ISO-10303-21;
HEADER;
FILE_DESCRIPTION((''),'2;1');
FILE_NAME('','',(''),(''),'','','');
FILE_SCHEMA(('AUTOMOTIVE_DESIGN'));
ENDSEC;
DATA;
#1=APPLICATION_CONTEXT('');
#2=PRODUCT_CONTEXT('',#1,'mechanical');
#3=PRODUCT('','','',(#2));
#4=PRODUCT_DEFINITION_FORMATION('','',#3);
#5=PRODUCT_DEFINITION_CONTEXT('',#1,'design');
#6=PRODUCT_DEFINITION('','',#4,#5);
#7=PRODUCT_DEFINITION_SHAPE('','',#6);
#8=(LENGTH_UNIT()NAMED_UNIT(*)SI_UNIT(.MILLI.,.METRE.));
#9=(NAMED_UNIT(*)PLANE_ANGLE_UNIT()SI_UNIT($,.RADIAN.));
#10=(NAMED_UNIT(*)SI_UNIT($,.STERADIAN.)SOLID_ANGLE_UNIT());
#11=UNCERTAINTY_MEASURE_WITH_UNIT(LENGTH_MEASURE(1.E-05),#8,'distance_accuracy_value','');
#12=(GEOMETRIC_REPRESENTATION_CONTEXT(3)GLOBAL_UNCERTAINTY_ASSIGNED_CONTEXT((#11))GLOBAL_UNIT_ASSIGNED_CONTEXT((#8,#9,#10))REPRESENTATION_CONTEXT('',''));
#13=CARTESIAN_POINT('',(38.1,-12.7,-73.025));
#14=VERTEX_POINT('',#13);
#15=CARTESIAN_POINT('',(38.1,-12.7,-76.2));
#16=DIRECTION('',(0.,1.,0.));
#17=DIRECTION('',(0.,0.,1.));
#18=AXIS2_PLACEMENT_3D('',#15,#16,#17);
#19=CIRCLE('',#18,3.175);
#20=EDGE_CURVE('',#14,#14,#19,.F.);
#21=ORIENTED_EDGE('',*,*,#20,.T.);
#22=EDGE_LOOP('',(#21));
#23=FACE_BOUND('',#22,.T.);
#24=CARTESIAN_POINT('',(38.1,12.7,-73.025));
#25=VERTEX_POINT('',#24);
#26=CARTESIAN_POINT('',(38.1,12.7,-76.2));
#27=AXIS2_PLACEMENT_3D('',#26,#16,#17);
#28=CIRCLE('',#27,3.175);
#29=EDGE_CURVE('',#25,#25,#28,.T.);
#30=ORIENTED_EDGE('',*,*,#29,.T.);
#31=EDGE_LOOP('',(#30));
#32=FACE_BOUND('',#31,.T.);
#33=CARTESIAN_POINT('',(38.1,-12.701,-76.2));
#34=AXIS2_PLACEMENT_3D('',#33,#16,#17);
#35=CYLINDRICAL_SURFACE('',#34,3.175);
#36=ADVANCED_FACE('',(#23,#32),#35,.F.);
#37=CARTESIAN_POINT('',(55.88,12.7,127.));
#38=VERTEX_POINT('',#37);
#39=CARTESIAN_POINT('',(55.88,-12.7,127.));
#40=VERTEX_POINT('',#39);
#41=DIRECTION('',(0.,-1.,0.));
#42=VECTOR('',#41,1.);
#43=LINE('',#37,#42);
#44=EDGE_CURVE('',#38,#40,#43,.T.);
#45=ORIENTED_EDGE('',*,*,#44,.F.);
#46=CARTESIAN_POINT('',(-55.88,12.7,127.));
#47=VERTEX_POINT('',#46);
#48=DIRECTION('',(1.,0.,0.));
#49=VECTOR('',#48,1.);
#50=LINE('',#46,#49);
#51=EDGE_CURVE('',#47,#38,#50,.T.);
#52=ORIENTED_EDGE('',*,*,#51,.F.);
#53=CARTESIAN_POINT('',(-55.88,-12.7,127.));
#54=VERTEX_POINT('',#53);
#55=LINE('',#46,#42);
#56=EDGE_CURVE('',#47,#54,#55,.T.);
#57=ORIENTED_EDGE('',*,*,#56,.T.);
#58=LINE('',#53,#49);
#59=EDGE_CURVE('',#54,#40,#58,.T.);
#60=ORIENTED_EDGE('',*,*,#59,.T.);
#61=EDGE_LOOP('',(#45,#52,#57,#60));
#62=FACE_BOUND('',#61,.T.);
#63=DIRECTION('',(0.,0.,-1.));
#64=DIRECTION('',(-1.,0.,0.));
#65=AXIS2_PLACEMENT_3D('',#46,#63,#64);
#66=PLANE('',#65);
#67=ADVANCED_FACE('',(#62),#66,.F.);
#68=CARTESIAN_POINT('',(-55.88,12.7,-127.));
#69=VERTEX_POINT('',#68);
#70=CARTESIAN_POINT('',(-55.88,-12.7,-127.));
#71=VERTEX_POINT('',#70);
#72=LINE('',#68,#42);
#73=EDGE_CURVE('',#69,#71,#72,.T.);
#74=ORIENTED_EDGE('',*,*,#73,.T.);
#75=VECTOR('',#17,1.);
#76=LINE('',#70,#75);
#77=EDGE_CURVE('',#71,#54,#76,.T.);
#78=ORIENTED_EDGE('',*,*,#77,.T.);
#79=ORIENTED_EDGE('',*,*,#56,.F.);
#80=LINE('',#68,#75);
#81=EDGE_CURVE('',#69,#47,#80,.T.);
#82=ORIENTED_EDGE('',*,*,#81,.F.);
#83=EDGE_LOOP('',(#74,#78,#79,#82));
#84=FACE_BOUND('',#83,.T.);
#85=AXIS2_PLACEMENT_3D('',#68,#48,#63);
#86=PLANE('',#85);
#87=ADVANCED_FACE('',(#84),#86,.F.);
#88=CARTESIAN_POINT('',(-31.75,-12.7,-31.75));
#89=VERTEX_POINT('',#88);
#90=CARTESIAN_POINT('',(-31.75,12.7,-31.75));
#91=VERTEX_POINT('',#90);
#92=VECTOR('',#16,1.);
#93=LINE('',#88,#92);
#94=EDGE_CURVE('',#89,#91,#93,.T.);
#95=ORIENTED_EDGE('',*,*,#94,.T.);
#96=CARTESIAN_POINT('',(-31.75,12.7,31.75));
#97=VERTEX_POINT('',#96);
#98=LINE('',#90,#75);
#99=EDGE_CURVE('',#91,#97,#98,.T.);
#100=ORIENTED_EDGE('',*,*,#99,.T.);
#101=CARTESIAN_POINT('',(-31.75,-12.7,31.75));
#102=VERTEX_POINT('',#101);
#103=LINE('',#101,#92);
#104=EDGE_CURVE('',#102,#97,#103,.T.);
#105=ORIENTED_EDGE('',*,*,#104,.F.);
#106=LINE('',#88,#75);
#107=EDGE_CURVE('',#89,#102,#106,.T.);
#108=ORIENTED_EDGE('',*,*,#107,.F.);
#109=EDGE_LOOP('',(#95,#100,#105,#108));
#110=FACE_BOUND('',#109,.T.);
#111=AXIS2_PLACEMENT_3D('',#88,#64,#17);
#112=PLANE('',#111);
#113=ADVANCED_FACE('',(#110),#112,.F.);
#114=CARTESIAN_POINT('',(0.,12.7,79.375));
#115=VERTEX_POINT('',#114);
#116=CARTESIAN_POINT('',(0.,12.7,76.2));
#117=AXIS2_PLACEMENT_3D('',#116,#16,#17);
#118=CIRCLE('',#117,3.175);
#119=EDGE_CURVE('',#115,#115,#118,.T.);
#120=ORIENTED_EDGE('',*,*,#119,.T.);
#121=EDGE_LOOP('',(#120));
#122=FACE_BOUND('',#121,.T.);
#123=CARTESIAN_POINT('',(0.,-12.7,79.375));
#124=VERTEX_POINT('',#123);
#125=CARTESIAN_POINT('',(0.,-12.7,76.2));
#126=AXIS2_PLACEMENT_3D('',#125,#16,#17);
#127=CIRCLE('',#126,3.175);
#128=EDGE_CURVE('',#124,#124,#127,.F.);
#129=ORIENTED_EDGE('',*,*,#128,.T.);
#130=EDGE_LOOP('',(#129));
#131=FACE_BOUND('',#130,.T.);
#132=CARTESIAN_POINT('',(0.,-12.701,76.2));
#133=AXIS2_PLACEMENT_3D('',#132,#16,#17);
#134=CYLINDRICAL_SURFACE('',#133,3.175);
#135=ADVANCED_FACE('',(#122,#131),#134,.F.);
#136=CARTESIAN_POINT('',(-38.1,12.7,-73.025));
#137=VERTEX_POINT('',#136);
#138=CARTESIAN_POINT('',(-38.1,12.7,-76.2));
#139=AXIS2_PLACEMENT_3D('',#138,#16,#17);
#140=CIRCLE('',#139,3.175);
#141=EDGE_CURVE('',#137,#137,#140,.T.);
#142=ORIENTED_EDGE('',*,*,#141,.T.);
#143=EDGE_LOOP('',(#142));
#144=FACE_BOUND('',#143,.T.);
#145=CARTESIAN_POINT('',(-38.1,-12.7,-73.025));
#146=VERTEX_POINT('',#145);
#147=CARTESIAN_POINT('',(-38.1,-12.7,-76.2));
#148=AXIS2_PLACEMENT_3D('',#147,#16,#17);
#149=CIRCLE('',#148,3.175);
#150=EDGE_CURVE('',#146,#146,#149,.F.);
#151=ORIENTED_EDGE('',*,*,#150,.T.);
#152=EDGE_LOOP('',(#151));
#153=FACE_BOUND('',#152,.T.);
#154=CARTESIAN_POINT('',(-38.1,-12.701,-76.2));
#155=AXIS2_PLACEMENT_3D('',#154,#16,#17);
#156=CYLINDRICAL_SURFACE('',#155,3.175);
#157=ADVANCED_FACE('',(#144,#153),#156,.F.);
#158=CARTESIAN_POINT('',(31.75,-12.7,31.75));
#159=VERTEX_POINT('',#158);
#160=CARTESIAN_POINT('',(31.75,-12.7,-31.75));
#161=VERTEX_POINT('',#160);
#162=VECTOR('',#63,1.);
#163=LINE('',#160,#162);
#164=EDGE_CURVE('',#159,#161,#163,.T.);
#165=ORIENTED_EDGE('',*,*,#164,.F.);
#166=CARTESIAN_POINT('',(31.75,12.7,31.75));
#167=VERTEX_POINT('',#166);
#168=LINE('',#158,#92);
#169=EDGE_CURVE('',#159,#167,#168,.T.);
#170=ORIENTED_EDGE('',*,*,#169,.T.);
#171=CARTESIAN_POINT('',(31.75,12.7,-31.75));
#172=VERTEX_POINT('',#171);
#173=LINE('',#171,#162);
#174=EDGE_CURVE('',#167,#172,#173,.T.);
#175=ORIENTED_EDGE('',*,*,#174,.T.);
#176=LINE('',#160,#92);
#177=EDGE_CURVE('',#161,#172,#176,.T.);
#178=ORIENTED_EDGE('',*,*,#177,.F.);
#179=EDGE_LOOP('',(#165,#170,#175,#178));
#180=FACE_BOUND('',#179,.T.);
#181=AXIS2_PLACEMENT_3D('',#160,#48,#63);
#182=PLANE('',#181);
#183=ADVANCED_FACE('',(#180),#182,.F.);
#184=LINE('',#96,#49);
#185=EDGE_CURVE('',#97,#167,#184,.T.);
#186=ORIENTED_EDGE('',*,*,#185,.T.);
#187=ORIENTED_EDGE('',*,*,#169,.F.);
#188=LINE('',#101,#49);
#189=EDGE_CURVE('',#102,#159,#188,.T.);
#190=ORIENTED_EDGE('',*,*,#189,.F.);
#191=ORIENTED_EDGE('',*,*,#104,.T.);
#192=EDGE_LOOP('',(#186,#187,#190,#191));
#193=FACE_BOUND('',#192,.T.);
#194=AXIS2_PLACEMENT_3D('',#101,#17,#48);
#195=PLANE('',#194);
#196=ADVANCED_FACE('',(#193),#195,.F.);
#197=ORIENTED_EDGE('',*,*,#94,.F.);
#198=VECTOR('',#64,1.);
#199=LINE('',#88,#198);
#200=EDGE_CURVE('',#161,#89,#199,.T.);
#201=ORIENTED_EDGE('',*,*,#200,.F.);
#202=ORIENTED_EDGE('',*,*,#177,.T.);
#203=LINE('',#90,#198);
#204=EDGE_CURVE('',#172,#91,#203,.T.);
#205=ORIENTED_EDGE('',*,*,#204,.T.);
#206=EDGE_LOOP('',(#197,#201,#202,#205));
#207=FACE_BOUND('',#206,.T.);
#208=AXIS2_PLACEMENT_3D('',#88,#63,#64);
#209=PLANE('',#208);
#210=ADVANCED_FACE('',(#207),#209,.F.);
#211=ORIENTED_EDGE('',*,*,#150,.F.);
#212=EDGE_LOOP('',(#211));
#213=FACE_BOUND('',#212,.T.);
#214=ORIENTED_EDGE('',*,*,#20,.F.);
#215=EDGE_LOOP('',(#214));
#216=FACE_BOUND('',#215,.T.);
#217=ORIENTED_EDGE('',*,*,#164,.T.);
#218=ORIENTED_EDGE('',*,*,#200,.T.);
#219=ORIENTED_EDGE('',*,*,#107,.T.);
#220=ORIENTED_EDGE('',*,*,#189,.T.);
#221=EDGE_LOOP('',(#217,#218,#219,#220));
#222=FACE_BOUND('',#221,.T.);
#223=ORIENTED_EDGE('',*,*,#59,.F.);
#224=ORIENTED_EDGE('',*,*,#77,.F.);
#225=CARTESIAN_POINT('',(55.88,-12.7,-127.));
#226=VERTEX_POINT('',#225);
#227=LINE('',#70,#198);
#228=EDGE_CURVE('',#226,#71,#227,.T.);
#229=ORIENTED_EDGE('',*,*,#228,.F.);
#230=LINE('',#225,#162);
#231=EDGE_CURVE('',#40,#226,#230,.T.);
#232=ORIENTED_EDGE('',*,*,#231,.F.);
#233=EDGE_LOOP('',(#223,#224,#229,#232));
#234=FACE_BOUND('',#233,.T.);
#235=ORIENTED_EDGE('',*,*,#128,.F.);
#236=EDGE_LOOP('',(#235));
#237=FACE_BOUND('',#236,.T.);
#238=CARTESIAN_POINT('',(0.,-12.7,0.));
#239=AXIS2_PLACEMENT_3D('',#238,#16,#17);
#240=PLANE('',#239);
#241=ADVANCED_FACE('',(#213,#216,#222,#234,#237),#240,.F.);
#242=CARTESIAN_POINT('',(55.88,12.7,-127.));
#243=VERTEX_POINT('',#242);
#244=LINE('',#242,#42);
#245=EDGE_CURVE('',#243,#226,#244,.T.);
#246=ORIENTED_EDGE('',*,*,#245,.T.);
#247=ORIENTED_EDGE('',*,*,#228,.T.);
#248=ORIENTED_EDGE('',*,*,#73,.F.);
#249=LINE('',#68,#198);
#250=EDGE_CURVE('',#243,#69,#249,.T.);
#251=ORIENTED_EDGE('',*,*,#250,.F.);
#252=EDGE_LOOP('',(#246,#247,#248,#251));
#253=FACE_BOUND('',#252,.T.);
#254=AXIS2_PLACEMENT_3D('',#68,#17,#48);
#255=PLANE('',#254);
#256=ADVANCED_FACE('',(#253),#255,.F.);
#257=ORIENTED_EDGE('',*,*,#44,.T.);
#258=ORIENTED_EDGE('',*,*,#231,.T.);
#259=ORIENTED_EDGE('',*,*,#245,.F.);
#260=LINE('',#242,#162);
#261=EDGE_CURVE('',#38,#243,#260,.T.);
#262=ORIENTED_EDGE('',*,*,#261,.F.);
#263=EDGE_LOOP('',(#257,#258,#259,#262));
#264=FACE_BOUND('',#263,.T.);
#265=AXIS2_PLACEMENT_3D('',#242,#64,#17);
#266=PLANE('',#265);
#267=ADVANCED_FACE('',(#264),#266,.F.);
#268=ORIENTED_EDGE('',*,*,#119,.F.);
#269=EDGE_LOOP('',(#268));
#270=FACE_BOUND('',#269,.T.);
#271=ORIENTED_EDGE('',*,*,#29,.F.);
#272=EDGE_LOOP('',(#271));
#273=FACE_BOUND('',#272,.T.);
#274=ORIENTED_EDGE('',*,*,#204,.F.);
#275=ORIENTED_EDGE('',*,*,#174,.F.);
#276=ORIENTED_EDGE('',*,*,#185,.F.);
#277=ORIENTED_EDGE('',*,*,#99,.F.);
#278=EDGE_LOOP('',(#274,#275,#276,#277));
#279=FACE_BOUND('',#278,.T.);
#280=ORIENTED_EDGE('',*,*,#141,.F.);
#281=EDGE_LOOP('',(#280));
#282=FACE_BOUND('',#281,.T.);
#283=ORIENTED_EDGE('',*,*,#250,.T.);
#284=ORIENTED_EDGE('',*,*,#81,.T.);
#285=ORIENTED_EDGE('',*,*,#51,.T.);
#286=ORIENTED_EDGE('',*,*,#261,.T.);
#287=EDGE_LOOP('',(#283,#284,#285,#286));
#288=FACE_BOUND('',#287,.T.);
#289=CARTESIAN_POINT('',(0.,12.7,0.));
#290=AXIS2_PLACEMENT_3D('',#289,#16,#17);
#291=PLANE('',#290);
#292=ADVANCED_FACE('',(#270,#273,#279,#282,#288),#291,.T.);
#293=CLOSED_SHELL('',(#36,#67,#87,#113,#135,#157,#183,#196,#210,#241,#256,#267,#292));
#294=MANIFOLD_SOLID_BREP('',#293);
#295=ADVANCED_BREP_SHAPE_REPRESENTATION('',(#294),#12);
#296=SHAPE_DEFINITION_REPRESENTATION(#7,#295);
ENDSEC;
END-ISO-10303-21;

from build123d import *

# Parameters (mm, degrees)
SKETCH1_W           = 111.76
SKETCH1_H           = 254
BOSS_EXTRUDE1_DEPTH = 12.7
SKETCH2_W           = 63.5
SKETCH2_H           = 63.5
CUT_EXTRUDE1_DEPTH  = 25.4
CUT_EXTRUDE2_REACH  = 27.4
SKETCH3_R           = 3.175


with BuildPart() as part:
    # Sketch1 → Boss-Extrude1 (new body, symmetric)
    with BuildSketch(Plane(origin=(0, 0, 0), x_dir=(1, 0, 0), z_dir=(0, 1, 0))):
        Rectangle(SKETCH1_W, SKETCH1_H)
    extrude(amount=BOSS_EXTRUDE1_DEPTH, both=True)

    # Sketch2 → Cut-Extrude1 (cut)
    with BuildSketch(Plane(origin=(0, 12.7, 0), x_dir=(1, 0, 0), z_dir=(0, 1, 0))):
        Rectangle(SKETCH2_W, SKETCH2_H)
    extrude(amount=-CUT_EXTRUDE1_DEPTH, mode=Mode.SUBTRACT)

    # Sketch3 → Cut-Extrude2 (cut, up to next)
    with BuildSketch(Plane(origin=(0, 12.7, 0), x_dir=(1, 0, 0), z_dir=(0, 1, 0)), mode=Mode.PRIVATE) as cut_extrude2_sk1:
        with Locations((0, -76.2)):
            Circle(SKETCH3_R)
    cut_extrude2_tool1 = extrude(cut_extrude2_sk1.sketch, amount=-CUT_EXTRUDE2_REACH, mode=Mode.PRIVATE) & part.part
    add(cut_extrude2_tool1.solids().sort_by_distance((0, 12.7, 76.2))[0], mode=Mode.SUBTRACT)
    # Sketch3 → Cut-Extrude2 (cut, up to next)
    with BuildSketch(Plane(origin=(0, 12.7, 0), x_dir=(1, 0, 0), z_dir=(0, 1, 0)), mode=Mode.PRIVATE) as cut_extrude2_sk2:
        with Locations((38.1, 76.2)):
            Circle(SKETCH3_R)
    cut_extrude2_tool2 = extrude(cut_extrude2_sk2.sketch, amount=-CUT_EXTRUDE2_REACH, mode=Mode.PRIVATE) & part.part
    add(cut_extrude2_tool2.solids().sort_by_distance((38.1, 12.7, -76.2))[0], mode=Mode.SUBTRACT)
    # Sketch3 → Cut-Extrude2 (cut, up to next)
    with BuildSketch(Plane(origin=(0, 12.7, 0), x_dir=(1, 0, 0), z_dir=(0, 1, 0)), mode=Mode.PRIVATE) as cut_extrude2_sk3:
        with Locations((-38.1, 76.2)):
            Circle(SKETCH3_R)
    cut_extrude2_tool3 = extrude(cut_extrude2_sk3.sketch, amount=-CUT_EXTRUDE2_REACH, mode=Mode.PRIVATE) & part.part
    add(cut_extrude2_tool3.solids().sort_by_distance((-38.1, 12.7, -76.2))[0], mode=Mode.SUBTRACT)


solid = part.part
